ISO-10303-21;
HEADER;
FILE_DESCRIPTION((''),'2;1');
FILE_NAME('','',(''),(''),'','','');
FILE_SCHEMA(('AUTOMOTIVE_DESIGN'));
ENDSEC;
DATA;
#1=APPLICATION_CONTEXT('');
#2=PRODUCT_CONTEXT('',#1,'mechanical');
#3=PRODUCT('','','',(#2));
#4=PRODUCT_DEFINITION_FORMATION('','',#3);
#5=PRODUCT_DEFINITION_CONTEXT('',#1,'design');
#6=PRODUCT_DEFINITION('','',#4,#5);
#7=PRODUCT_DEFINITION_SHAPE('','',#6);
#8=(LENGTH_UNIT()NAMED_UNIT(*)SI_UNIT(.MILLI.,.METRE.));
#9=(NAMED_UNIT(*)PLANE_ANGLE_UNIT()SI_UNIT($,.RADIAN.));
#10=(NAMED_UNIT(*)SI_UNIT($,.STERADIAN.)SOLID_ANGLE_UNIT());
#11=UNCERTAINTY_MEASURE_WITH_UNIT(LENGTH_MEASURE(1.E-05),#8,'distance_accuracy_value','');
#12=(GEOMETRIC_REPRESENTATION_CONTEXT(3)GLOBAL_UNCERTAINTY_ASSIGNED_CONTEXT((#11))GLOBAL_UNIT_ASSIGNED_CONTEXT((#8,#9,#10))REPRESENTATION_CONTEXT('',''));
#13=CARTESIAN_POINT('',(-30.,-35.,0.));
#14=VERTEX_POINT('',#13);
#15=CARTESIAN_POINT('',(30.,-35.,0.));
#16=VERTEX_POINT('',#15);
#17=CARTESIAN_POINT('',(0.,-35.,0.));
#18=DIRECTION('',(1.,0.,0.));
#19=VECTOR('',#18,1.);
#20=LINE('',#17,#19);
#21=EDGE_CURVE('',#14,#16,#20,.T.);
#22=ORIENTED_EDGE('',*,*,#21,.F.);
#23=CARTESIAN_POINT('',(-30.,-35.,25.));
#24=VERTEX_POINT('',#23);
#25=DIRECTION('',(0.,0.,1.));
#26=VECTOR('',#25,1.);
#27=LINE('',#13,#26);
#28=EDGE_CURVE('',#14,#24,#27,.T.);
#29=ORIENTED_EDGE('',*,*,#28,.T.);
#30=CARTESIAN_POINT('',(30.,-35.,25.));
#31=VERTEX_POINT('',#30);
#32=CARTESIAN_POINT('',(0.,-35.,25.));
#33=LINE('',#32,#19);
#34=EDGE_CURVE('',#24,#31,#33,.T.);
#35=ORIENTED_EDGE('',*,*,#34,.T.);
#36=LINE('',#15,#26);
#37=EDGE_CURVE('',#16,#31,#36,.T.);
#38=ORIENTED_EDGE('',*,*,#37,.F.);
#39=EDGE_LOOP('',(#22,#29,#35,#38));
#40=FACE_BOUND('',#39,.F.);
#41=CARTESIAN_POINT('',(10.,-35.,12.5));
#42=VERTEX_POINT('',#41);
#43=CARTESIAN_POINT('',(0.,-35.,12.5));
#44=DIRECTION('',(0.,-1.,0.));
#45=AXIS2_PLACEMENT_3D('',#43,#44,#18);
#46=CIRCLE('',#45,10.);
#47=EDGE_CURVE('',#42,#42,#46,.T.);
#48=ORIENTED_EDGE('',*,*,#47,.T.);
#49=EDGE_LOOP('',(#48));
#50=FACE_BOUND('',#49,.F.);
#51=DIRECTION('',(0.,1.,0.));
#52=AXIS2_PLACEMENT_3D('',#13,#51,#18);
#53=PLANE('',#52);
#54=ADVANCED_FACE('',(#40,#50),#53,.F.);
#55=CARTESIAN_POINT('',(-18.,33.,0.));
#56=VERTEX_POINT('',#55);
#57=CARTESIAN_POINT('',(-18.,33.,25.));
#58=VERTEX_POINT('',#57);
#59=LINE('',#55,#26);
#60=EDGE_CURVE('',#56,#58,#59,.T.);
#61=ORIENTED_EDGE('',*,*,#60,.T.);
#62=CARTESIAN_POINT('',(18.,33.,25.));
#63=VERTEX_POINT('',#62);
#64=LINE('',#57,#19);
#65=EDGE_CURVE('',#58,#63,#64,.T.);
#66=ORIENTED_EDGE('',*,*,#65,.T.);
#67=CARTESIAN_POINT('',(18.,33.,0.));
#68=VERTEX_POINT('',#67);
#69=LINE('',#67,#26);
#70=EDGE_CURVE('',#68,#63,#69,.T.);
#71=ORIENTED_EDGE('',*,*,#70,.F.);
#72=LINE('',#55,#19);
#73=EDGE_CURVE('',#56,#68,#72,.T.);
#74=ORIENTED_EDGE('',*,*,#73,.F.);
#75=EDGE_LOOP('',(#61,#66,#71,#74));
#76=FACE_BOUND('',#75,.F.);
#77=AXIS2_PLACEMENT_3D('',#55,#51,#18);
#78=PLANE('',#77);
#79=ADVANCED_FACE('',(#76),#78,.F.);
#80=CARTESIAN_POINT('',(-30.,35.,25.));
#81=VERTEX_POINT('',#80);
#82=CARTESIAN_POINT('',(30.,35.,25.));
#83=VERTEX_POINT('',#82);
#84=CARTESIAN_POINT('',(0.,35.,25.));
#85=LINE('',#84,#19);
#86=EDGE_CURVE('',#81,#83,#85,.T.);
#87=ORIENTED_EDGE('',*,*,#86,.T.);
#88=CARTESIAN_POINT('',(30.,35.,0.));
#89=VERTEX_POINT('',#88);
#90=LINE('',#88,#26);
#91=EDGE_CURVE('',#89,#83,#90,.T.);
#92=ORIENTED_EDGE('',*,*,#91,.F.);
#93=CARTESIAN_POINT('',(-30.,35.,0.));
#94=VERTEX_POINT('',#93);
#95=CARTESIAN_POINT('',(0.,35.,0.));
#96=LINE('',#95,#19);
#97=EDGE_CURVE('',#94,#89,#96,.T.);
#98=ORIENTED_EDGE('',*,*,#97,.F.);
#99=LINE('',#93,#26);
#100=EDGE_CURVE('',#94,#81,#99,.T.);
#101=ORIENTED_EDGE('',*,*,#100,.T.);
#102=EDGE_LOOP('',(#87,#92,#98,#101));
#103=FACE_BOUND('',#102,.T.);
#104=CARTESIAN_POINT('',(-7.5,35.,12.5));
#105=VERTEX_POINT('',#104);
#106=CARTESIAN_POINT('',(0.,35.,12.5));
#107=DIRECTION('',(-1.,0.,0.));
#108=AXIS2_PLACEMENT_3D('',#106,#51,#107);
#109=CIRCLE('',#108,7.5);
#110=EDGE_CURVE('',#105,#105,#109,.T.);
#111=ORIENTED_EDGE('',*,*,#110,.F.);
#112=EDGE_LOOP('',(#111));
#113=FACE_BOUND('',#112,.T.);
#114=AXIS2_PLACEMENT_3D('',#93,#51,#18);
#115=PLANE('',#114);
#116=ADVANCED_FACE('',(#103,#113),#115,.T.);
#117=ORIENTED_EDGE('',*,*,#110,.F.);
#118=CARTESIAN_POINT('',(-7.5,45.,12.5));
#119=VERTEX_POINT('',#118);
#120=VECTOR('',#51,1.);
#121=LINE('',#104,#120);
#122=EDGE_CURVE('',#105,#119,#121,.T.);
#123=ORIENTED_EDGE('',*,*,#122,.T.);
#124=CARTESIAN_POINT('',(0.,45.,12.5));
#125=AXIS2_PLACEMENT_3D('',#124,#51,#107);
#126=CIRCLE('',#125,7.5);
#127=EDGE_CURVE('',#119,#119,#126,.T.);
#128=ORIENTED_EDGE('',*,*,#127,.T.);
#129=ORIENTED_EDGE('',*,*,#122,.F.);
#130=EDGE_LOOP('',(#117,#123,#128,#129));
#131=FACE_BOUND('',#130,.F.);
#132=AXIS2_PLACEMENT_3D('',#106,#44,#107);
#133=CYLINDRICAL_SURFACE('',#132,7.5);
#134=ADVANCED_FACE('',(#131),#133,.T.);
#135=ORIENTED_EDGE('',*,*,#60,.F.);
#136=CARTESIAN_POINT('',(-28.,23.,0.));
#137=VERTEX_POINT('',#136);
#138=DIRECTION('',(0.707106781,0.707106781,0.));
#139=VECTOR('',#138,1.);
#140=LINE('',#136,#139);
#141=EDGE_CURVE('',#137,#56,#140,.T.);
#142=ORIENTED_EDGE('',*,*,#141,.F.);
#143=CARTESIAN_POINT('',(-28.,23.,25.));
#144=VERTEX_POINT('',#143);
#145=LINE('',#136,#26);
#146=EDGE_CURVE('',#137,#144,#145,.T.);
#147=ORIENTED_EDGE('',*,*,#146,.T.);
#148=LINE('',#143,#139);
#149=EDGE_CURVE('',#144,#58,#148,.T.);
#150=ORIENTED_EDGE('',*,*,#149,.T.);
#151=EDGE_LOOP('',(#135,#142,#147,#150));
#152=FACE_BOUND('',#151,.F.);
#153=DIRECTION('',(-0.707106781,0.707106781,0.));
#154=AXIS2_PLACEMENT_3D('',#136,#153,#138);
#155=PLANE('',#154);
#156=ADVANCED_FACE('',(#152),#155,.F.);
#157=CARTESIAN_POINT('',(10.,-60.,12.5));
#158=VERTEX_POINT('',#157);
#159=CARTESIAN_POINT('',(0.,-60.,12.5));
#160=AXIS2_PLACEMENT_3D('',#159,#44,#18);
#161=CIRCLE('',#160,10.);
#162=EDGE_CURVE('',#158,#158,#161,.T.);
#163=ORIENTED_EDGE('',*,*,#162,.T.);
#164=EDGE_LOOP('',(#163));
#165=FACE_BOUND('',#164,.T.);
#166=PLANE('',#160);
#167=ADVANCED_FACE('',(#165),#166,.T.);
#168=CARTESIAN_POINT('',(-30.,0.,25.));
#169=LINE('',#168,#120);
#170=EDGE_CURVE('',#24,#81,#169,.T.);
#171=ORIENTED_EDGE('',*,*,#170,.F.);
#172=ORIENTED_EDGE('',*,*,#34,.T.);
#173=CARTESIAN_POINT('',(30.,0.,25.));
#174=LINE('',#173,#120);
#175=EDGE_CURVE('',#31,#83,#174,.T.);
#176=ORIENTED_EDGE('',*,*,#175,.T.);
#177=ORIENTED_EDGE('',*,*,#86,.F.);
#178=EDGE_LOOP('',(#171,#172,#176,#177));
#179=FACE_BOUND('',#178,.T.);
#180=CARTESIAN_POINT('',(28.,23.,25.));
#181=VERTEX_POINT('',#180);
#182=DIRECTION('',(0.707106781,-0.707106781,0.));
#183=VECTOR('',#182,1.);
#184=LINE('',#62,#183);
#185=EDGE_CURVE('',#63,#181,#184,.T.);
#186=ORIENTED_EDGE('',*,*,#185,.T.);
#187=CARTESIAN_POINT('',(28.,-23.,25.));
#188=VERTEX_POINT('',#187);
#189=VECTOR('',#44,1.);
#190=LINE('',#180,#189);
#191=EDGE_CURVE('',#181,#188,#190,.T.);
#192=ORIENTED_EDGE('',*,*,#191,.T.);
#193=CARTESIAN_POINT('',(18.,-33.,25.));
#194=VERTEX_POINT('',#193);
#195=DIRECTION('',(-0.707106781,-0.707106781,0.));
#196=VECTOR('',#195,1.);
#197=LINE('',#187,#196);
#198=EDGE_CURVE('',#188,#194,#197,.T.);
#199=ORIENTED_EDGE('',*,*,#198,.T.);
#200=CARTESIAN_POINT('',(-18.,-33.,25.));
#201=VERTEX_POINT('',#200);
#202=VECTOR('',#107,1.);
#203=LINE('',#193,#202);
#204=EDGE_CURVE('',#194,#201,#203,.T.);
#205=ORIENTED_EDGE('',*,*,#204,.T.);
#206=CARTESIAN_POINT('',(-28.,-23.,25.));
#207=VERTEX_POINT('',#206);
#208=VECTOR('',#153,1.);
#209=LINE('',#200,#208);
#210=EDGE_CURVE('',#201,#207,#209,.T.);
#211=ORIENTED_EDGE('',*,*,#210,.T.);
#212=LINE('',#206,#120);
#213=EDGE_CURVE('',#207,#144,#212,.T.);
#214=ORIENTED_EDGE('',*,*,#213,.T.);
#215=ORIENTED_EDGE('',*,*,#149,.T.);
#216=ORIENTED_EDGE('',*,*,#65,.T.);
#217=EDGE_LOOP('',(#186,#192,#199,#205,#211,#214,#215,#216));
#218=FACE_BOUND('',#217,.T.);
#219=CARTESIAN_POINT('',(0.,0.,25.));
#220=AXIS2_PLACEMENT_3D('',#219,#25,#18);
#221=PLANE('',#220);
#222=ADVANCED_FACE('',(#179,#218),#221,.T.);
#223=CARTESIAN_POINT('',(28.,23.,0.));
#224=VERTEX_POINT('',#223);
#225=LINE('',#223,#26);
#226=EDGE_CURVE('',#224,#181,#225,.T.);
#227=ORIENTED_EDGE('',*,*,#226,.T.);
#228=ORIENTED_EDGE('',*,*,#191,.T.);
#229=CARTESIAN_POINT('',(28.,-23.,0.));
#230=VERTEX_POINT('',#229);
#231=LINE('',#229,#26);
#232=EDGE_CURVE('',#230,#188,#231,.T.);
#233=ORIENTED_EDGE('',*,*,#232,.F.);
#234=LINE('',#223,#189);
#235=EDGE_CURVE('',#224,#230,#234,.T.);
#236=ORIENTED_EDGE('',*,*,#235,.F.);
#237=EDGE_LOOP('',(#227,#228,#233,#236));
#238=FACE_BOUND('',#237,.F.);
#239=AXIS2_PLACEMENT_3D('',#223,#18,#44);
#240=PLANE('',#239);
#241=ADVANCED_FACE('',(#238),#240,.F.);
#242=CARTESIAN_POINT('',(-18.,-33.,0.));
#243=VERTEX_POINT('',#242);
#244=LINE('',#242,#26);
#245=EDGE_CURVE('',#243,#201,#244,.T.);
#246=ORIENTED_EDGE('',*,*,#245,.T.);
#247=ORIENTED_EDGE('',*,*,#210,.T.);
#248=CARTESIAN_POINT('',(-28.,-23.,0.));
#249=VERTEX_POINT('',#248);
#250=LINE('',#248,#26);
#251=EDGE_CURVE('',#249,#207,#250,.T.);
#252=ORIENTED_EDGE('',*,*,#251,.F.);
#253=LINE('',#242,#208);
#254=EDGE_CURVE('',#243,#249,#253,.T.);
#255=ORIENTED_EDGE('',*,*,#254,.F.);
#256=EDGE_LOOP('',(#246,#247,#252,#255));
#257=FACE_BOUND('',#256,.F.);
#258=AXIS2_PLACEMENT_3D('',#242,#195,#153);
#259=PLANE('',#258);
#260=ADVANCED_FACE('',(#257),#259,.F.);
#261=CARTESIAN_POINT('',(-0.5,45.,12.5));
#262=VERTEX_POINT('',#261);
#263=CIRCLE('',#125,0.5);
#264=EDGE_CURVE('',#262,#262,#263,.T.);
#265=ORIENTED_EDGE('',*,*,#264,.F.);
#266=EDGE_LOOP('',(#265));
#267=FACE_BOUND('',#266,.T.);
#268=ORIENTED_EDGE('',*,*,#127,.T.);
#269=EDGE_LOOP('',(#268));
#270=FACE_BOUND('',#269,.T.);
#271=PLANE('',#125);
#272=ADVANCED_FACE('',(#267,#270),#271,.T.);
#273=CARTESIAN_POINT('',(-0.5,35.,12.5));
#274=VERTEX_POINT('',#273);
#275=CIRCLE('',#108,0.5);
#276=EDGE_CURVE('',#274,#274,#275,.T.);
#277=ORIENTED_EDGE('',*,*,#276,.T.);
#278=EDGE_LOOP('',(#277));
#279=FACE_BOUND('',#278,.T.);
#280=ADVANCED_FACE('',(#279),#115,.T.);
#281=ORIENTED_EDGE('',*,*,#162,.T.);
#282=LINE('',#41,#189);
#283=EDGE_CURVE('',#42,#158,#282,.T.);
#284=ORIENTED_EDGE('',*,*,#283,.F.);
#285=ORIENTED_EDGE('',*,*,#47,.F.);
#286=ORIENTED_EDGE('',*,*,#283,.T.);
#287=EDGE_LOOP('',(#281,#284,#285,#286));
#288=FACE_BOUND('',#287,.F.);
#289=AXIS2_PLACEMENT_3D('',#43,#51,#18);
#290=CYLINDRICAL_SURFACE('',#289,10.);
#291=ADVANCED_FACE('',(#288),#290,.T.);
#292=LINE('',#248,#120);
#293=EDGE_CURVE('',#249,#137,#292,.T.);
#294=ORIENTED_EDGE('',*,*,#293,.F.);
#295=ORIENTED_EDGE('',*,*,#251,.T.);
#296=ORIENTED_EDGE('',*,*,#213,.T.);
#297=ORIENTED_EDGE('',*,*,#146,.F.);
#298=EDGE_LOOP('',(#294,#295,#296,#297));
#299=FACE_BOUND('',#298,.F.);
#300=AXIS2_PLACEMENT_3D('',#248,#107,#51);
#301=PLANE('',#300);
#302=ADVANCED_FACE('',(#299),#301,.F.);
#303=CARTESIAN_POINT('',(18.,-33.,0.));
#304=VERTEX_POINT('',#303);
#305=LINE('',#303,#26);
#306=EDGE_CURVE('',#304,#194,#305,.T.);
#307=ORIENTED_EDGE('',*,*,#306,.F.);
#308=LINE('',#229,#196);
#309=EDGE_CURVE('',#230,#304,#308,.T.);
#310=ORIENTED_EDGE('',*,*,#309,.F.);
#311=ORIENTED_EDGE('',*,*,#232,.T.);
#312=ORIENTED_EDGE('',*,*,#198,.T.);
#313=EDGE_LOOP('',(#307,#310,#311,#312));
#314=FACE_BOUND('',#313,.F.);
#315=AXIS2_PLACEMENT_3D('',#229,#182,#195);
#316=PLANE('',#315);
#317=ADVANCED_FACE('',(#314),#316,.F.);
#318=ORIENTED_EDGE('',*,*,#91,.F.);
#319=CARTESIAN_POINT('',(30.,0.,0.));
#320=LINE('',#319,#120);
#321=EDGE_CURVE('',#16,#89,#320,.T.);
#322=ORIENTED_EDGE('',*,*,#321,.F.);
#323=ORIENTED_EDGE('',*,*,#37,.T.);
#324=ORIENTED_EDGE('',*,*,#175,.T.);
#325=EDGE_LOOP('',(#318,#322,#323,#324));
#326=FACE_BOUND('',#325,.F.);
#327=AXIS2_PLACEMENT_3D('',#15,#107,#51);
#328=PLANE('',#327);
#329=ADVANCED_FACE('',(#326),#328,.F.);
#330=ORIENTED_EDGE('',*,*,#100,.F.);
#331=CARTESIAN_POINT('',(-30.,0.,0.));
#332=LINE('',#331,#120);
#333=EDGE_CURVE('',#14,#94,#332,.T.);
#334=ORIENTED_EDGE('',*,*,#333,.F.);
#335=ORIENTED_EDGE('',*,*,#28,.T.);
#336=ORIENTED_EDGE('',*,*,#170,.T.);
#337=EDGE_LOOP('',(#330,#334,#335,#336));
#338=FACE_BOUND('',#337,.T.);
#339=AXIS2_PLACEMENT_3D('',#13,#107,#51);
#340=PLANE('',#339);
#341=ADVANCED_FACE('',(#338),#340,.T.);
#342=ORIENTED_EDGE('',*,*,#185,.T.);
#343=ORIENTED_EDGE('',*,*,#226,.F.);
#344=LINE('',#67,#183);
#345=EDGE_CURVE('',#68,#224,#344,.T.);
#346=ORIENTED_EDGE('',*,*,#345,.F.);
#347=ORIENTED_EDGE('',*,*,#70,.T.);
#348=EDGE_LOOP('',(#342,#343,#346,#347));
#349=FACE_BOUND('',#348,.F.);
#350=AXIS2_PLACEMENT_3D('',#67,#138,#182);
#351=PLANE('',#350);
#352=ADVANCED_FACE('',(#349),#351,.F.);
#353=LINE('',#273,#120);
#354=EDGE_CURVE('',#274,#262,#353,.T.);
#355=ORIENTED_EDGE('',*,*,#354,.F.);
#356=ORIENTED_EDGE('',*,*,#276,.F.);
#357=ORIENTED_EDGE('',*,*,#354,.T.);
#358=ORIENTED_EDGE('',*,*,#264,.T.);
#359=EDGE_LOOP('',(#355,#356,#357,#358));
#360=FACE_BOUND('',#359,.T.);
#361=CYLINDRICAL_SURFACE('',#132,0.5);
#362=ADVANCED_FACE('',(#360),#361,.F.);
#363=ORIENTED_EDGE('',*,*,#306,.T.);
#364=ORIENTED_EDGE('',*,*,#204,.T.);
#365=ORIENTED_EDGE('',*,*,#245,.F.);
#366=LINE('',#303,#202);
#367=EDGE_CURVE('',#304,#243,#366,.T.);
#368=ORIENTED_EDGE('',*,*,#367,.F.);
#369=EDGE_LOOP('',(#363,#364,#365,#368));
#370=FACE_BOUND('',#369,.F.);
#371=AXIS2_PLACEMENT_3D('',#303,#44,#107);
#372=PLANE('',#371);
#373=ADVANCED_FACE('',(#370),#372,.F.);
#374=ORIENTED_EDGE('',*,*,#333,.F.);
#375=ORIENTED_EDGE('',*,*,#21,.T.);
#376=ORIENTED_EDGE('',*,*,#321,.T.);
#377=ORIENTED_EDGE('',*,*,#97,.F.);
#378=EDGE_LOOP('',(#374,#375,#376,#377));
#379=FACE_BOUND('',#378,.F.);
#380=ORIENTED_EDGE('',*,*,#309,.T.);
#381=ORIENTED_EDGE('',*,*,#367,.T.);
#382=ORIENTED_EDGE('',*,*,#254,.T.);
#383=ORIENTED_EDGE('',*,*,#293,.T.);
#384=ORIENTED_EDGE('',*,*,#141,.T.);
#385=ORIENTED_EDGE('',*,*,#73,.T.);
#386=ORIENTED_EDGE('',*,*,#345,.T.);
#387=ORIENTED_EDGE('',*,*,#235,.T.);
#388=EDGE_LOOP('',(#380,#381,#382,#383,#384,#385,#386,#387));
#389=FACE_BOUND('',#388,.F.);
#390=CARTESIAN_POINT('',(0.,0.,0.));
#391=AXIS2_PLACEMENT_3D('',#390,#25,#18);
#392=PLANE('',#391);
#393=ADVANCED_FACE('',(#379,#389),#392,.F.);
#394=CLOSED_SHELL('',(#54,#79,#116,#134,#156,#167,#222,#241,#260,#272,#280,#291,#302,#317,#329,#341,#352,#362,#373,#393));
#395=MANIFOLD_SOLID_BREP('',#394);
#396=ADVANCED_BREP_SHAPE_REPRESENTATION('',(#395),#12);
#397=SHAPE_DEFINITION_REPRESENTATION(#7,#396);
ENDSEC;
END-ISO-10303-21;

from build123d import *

# Parameters (mm, degrees)
F0_W     = 60
F0_H     = 70
F1_DEPTH = 25
F2_R     = 10
F3_DEPTH = 25
F4_R     = 7.5
F4_R_2   = 0.5
F5_DEPTH = 10


with BuildPart() as f1:
    # F0 (on Top) → F1 (new body)
    with BuildSketch(Plane.XY):
        Rectangle(F0_W, F0_H)
        Polygon((18, 33), (28, 23), (28, -23), (18, -33), (-18, -33), (-28, -23), (-28, 23), (-18, 33), align=None, mode=Mode.SUBTRACT)
    extrude(amount=F1_DEPTH)

    # F2 (on face) → F3 (join)
    with BuildSketch(Plane.XZ.offset(35)):
        with Locations((0, 12.5)):
            Circle(F2_R)
    extrude(amount=F3_DEPTH)

    # F4 (on face) → F5 (join)
    with BuildSketch(Plane(origin=(0, 35, 0), x_dir=(-1, 0, 0), z_dir=(0, 1, 0))):
        with Locations((0, 12.5)):
            Circle(F4_R)
        with Locations((0, 12.5)):
            Circle(F4_R_2, mode=Mode.SUBTRACT)
    extrude(amount=F5_DEPTH)


solid = f1.part
